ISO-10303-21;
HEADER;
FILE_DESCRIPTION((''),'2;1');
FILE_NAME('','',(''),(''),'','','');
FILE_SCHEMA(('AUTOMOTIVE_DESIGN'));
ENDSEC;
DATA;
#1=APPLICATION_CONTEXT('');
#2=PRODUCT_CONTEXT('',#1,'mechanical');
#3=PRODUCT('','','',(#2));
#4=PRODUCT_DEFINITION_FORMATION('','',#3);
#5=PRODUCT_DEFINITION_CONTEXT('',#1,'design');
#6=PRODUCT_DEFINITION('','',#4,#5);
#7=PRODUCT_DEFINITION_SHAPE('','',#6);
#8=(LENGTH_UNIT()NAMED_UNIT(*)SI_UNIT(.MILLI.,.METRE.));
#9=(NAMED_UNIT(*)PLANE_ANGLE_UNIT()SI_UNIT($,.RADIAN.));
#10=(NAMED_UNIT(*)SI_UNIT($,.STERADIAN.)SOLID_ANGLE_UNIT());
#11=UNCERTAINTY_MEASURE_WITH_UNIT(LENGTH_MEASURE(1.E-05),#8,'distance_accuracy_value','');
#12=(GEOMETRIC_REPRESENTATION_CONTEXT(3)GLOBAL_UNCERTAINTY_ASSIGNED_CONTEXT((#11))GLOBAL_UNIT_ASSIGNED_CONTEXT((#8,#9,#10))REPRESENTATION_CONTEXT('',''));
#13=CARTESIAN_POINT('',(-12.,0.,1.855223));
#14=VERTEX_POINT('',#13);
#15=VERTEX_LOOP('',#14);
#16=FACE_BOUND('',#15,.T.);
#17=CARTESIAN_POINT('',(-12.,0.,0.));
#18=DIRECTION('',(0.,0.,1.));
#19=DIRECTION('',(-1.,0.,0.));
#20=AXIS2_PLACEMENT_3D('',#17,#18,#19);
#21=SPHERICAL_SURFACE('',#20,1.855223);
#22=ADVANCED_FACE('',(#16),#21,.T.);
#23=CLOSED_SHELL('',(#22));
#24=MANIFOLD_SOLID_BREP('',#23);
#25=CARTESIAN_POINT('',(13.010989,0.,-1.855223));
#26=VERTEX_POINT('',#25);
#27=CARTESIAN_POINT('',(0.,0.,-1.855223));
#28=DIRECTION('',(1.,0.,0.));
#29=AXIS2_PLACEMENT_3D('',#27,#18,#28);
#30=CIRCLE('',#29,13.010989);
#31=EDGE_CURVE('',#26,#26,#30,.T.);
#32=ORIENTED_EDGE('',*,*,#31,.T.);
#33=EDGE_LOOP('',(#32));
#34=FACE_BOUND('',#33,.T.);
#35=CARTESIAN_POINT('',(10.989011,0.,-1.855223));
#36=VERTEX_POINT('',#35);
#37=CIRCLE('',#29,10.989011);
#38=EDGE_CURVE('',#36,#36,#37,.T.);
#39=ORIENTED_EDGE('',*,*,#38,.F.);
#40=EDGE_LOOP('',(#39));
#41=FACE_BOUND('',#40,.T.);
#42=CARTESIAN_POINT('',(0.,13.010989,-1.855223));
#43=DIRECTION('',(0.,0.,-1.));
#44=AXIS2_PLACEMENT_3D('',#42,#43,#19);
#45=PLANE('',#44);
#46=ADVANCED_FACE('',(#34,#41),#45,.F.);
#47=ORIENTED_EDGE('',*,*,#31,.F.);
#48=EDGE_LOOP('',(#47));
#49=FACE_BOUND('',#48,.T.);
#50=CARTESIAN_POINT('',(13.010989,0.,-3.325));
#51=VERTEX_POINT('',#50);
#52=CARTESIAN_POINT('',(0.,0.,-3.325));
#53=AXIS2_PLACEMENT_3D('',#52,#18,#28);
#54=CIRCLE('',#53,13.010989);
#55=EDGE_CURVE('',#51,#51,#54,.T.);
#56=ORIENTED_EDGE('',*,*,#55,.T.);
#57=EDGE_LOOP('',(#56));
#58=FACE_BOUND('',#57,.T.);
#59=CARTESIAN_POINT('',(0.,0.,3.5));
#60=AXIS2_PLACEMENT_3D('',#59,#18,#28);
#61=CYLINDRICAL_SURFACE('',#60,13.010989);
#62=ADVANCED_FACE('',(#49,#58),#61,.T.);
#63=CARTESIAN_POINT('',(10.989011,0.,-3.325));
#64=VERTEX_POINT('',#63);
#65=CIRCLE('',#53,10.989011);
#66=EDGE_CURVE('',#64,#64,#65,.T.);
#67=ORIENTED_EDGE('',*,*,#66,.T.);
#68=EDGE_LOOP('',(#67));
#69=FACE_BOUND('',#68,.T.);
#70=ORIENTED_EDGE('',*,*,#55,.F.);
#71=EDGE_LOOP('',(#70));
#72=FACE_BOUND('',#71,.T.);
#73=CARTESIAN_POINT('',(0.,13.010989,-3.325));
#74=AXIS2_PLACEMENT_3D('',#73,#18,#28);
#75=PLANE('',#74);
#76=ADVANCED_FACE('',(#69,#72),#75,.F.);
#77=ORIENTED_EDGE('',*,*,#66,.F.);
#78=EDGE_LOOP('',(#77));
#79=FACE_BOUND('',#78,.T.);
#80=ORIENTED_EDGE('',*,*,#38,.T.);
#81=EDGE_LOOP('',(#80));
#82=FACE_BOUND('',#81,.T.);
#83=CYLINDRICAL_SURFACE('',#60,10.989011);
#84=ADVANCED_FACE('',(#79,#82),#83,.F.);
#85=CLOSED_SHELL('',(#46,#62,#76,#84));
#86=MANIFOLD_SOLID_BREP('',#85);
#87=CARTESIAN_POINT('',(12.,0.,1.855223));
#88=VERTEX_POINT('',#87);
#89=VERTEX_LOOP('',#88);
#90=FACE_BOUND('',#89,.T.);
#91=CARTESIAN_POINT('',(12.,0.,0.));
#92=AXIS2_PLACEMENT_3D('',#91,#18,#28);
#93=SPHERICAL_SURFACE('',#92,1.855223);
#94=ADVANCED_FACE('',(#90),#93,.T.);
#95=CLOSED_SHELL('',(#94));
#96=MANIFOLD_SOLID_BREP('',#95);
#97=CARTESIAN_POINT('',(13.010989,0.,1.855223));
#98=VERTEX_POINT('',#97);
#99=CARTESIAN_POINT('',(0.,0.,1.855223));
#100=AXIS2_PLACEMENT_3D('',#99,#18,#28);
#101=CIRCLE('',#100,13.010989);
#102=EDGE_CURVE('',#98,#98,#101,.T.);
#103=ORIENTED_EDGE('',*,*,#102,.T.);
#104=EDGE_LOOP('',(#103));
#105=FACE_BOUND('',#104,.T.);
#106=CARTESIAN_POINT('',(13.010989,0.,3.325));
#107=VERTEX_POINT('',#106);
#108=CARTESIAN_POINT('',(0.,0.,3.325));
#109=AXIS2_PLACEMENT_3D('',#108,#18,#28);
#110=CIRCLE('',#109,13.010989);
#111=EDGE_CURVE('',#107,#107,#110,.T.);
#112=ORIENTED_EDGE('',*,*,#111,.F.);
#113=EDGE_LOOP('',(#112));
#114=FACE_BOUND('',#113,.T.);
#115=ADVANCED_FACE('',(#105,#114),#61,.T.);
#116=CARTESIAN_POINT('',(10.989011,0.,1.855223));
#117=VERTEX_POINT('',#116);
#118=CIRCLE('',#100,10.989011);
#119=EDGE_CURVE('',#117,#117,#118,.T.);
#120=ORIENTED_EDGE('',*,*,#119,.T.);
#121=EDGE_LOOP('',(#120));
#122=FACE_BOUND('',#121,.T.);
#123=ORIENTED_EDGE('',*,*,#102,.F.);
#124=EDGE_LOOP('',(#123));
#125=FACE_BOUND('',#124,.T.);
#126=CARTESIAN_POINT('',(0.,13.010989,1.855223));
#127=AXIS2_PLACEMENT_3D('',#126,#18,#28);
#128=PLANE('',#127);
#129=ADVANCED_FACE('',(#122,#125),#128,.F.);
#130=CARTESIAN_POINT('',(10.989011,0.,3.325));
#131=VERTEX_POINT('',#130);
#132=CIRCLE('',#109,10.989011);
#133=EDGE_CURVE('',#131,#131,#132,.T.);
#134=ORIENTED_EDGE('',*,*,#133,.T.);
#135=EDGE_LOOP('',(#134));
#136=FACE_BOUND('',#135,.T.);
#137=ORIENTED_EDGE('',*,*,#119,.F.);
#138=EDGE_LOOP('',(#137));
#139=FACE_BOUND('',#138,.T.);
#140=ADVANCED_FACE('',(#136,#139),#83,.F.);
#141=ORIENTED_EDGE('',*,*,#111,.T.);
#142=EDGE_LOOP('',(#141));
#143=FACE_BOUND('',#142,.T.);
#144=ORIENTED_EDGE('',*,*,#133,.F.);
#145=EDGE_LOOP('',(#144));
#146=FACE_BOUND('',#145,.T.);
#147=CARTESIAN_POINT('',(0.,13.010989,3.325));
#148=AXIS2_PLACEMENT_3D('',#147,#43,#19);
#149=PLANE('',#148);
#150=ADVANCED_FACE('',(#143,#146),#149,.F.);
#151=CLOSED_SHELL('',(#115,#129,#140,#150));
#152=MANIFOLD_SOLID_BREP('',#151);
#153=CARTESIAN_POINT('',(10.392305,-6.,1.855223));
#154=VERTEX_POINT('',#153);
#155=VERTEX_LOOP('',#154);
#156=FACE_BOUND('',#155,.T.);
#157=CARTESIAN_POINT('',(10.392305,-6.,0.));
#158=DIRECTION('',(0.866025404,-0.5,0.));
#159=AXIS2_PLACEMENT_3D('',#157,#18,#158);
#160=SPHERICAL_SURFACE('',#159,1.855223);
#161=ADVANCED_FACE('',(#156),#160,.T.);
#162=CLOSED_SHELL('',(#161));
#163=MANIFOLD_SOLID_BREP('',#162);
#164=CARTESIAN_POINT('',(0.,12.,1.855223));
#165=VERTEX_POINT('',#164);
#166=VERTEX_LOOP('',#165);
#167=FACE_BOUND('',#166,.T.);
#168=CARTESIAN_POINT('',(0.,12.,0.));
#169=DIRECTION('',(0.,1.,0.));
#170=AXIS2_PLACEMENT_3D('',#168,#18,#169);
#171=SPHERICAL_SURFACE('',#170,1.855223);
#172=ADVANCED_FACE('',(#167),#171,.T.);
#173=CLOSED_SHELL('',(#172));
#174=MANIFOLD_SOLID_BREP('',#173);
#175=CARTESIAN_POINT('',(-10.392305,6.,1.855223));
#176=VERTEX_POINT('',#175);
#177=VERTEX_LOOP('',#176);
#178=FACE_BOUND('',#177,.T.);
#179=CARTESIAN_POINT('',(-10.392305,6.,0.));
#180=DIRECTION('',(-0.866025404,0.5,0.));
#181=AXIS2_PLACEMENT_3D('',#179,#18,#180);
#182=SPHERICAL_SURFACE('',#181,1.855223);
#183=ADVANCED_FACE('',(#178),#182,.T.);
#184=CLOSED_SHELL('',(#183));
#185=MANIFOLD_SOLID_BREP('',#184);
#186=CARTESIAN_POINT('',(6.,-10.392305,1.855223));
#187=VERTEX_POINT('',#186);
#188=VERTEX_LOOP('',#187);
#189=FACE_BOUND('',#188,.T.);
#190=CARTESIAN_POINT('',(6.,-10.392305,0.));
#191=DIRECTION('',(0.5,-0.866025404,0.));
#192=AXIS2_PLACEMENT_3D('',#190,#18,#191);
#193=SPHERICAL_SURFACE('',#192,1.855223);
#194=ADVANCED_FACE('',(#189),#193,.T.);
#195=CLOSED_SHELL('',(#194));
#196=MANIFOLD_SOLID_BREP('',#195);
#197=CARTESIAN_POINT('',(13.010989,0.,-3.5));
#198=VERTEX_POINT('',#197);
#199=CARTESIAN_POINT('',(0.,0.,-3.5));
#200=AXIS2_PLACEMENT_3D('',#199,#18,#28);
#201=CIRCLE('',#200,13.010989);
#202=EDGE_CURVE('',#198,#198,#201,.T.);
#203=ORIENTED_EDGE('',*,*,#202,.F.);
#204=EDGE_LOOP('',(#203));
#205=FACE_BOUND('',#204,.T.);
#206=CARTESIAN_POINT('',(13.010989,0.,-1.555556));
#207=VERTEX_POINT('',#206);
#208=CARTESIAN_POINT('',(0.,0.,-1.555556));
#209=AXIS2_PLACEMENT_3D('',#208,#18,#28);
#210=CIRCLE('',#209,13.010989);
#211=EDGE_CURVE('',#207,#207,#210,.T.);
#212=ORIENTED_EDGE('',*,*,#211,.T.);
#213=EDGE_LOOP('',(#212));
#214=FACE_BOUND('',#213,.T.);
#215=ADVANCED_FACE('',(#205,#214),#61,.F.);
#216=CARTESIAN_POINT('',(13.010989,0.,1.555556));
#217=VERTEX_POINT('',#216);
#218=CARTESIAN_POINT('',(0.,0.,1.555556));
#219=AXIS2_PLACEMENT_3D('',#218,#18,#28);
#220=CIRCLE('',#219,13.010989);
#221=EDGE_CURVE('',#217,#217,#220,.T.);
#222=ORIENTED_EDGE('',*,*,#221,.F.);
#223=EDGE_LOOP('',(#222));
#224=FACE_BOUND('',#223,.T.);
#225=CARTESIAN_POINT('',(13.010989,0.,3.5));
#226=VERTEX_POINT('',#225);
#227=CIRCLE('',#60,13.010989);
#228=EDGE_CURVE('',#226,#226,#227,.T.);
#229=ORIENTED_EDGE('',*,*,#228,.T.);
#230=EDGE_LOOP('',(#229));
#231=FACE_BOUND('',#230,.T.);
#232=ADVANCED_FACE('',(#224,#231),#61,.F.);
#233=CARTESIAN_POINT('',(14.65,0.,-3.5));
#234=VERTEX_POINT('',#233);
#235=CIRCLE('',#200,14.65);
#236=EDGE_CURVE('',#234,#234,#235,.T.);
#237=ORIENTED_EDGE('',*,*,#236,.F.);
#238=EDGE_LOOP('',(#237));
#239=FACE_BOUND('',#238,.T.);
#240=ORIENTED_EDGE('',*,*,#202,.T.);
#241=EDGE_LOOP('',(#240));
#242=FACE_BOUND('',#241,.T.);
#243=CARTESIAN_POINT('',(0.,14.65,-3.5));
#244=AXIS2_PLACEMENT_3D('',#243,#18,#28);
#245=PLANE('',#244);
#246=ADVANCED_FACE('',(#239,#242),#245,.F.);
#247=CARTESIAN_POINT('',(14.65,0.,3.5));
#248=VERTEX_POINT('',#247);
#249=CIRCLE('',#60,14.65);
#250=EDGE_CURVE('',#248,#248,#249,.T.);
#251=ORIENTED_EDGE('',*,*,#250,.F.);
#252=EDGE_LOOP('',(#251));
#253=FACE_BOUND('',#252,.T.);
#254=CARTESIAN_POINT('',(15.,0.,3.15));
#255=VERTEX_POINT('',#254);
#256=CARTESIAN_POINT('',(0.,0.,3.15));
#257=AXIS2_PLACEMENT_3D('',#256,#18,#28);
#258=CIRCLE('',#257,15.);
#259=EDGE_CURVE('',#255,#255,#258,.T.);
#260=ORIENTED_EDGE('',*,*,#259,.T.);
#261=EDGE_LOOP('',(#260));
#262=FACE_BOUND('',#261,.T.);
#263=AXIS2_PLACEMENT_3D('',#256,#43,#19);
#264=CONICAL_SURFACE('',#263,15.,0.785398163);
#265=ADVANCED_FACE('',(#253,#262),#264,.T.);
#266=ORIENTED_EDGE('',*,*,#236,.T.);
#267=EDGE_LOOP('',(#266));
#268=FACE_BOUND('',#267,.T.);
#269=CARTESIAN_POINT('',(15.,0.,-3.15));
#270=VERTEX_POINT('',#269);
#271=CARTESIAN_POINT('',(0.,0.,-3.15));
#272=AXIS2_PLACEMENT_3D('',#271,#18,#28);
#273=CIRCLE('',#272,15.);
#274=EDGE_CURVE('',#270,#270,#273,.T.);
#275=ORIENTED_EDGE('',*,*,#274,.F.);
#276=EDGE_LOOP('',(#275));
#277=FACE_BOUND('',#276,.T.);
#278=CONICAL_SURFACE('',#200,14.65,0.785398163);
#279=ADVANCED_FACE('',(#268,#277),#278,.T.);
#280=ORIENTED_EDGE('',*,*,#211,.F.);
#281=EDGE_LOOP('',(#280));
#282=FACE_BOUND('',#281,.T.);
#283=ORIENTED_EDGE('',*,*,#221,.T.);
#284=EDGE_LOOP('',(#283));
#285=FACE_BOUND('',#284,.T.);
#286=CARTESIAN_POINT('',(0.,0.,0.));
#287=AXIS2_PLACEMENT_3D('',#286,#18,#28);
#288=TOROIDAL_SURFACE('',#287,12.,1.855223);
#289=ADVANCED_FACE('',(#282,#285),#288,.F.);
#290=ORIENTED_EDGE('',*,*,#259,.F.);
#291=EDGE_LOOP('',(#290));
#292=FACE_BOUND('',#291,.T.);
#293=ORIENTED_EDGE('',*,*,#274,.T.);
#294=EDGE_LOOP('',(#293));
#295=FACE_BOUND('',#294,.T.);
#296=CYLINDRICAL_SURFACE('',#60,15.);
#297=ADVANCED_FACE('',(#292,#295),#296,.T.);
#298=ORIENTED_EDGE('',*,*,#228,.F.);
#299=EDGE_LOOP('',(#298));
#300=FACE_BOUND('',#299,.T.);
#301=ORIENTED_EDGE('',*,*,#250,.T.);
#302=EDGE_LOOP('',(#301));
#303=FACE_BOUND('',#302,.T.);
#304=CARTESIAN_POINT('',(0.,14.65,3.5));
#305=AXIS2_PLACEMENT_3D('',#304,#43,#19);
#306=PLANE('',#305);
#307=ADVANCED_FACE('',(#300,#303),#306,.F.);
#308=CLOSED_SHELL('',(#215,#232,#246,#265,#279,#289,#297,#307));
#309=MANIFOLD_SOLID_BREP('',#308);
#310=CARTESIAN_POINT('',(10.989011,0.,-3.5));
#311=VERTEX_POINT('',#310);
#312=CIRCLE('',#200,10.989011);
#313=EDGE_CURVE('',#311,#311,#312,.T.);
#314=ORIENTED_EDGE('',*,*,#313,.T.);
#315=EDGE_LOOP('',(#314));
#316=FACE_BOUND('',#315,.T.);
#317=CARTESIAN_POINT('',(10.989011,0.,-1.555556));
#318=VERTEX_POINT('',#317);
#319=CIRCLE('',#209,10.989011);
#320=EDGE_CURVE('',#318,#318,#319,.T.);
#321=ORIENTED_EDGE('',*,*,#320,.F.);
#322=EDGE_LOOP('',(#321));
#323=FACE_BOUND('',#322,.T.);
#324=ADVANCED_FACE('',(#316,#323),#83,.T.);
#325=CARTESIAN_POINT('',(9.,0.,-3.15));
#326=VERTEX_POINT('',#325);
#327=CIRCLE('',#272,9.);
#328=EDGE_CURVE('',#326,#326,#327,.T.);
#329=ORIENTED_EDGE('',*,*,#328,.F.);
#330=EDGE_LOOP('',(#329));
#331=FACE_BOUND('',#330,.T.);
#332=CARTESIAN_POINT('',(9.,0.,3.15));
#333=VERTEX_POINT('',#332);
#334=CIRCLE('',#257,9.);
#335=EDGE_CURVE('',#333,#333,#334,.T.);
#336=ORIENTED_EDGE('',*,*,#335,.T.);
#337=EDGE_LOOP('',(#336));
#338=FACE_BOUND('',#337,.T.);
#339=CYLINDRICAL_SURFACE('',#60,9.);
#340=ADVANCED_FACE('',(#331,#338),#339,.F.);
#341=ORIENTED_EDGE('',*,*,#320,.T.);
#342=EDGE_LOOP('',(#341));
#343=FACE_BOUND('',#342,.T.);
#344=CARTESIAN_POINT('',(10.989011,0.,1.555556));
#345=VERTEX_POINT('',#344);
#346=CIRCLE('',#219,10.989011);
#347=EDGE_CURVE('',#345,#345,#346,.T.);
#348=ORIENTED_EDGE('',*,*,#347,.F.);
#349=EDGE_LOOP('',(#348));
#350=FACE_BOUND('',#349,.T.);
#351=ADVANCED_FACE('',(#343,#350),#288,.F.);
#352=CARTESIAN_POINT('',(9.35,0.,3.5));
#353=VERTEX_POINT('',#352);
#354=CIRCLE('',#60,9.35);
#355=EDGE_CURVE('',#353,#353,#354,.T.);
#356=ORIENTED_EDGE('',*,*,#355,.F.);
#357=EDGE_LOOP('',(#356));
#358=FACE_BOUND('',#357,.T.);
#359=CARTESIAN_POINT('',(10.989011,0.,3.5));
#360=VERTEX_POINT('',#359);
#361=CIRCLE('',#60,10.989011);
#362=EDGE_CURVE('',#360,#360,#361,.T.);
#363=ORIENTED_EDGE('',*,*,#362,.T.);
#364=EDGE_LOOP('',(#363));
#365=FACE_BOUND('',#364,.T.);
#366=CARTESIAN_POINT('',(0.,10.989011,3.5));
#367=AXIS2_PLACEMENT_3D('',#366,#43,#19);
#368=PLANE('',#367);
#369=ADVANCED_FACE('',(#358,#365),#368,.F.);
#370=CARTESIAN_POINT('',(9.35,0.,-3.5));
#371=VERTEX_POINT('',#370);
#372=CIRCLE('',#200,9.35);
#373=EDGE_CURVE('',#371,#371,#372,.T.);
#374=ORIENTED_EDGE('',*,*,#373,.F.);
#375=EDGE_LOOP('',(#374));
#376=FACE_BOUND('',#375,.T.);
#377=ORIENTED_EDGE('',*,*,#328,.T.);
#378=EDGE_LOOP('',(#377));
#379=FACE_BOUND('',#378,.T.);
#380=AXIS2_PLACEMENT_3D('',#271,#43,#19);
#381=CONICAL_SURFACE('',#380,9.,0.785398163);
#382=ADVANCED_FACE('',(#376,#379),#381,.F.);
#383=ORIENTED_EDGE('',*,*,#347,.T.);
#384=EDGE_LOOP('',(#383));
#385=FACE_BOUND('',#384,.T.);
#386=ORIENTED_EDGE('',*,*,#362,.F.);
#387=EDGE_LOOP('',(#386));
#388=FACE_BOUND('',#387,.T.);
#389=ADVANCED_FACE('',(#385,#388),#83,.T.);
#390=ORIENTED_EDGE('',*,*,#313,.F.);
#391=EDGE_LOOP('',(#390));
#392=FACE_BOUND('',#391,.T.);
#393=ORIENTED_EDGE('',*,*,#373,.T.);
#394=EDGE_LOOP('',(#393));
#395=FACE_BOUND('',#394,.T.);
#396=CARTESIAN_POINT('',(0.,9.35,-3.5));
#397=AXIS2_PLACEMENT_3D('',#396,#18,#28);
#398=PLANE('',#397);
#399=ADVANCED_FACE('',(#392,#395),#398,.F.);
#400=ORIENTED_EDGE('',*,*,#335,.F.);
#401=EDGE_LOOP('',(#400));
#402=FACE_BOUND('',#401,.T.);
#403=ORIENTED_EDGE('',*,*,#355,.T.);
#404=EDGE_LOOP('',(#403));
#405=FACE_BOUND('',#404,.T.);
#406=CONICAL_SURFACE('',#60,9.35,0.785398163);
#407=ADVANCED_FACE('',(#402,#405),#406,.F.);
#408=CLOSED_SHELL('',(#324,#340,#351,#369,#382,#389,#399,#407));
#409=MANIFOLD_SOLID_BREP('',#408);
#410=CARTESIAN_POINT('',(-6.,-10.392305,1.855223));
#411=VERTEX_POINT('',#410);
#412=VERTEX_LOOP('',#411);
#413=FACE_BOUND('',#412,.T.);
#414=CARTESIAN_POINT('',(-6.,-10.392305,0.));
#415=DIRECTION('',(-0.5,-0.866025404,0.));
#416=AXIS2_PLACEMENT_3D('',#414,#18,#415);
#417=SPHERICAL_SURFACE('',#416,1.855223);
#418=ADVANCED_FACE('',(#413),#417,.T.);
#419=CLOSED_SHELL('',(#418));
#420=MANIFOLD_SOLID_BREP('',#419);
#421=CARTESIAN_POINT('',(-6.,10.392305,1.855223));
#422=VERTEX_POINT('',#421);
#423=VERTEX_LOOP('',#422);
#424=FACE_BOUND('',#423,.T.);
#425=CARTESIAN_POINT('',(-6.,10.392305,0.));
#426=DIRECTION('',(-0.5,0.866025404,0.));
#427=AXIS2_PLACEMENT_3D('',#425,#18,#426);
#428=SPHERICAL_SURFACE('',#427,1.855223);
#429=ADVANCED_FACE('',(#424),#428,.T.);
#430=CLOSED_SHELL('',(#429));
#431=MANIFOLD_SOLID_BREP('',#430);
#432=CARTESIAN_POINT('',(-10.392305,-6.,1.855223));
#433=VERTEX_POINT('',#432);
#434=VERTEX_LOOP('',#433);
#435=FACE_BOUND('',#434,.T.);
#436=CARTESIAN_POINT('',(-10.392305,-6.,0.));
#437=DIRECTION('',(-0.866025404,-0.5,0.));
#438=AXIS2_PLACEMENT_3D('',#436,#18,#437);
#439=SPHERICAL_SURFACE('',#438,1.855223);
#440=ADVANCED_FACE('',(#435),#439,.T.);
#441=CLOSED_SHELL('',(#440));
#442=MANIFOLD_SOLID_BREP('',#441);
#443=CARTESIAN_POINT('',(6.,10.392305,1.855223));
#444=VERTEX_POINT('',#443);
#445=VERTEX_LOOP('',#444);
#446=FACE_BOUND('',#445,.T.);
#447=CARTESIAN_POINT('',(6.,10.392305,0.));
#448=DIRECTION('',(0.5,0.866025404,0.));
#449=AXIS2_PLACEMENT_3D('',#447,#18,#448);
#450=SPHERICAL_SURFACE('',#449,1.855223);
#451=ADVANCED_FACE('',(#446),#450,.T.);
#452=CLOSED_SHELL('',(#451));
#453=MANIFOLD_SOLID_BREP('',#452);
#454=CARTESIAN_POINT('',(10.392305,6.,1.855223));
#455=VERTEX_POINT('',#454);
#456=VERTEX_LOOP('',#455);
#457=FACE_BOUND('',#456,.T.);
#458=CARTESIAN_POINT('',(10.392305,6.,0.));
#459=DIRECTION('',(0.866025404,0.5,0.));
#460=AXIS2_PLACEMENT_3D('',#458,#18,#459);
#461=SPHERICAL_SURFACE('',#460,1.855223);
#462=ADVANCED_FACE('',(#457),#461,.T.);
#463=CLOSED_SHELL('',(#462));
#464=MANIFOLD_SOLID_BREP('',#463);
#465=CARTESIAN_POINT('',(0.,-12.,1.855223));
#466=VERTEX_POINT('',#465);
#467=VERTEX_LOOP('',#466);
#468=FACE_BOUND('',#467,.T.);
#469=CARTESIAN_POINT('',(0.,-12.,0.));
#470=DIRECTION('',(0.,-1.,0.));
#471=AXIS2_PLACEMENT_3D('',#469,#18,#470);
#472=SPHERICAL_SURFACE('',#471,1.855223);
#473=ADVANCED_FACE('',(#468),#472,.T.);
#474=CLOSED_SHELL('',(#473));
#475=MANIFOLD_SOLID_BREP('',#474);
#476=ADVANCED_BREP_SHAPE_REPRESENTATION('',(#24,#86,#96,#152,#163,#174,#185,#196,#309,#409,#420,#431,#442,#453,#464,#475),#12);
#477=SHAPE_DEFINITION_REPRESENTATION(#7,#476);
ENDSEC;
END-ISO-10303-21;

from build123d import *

# Parameters (mm, degrees)
CIRPATTERN1_COUNT = 12
SKETCH5_W         = 1.469777138
SKETCH5_H         = 2.021978022


with BuildPart() as part:
    # Sketch1 → Revolve1 (revolve)
    with BuildSketch(Plane(origin=(0, 0, 0), x_dir=(0, 0, -1), z_dir=(1, 0, 0))):
        with BuildLine():
            Line((3.15, 15), (-3.15, 15))
            Line((-3.15, 15), (-3.5, 14.65))
            Line((-3.5, 14.65), (-3.5, 13.010989011))
            Line((-3.5, 13.010989011), (-1.555555556, 13.010989011))
            ThreePointArc((-1.555555556, 13.010989011), (0, 13.855222862), (1.555555556, 13.010989011))
            Line((1.555555556, 13.010989011), (3.5, 13.010989011))
            Line((3.5, 13.010989011), (3.5, 14.65))
            Line((3.5, 14.65), (3.15, 15))
        make_face()
    revolve(axis=Axis((0, 0, 3.5), (0, 0, -1)))


with BuildPart() as body_2:
    # Sketch3 → Revolve3 (revolve)
    with BuildSketch(Plane(origin=(0, 0, 0), x_dir=(0, 0, -1), z_dir=(1, 0, 0))):
        with BuildLine():
            Line((-3.5, 10.989010989), (-1.555555556, 10.989010989))
            ThreePointArc((-1.555555556, 10.989010989), (0, 10.144777138), (1.555555556, 10.989010989))
            Line((1.555555556, 10.989010989), (3.5, 10.989010989))
            Line((3.5, 10.989010989), (3.5, 9.35))
            Line((3.5, 9.35), (3.15, 9))
            Line((3.15, 9), (-3.15, 9))
            Line((-3.15, 9), (-3.5, 9.35))
            Line((-3.5, 9.35), (-3.5, 10.989010989))
        make_face()
    revolve(axis=Axis((0, 0, 3.5), (0, 0, -1)))


with BuildPart() as body_3:
    # Sketch4 → Revolve4 (revolve)
    with BuildSketch(Plane(origin=(0, 0, 0), x_dir=(0, 0, -1), z_dir=(1, 0, 0))):
        with BuildLine():
            Line((-1.855222862, 12), (1.855222862, 12))
            ThreePointArc((1.855222862, 12), (0, 13.855222862), (-1.855222862, 12))
        make_face()
    revolve(axis=Axis((0, 12, 1.855222862), (0, 0, -1)))


with BuildPart() as cirpattern1_1:
    # CirPattern1: pattern copy
    add(body_3.part.rotate(Axis((0, 0, -3.5), (0, 0, 1)), 1 * 360 / CIRPATTERN1_COUNT))


with BuildPart() as cirpattern1_2:
    # CirPattern1: pattern copy
    add(body_3.part.rotate(Axis((0, 0, -3.5), (0, 0, 1)), 2 * 360 / CIRPATTERN1_COUNT))


with BuildPart() as cirpattern1_3:
    # CirPattern1: pattern copy
    add(body_3.part.rotate(Axis((0, 0, -3.5), (0, 0, 1)), 3 * 360 / CIRPATTERN1_COUNT))


with BuildPart() as cirpattern1_4:
    # CirPattern1: pattern copy
    add(body_3.part.rotate(Axis((0, 0, -3.5), (0, 0, 1)), 4 * 360 / CIRPATTERN1_COUNT))


with BuildPart() as cirpattern1_5:
    # CirPattern1: pattern copy
    add(body_3.part.rotate(Axis((0, 0, -3.5), (0, 0, 1)), 5 * 360 / CIRPATTERN1_COUNT))


with BuildPart() as cirpattern1_6:
    # CirPattern1: pattern copy
    add(body_3.part.rotate(Axis((0, 0, -3.5), (0, 0, 1)), 6 * 360 / CIRPATTERN1_COUNT))


with BuildPart() as cirpattern1_7:
    # CirPattern1: pattern copy
    add(body_3.part.rotate(Axis((0, 0, -3.5), (0, 0, 1)), 7 * 360 / CIRPATTERN1_COUNT))


with BuildPart() as cirpattern1_8:
    # CirPattern1: pattern copy
    add(body_3.part.rotate(Axis((0, 0, -3.5), (0, 0, 1)), 8 * 360 / CIRPATTERN1_COUNT))


with BuildPart() as cirpattern1_9:
    # CirPattern1: pattern copy
    add(body_3.part.rotate(Axis((0, 0, -3.5), (0, 0, 1)), 9 * 360 / CIRPATTERN1_COUNT))


with BuildPart() as cirpattern1_10:
    # CirPattern1: pattern copy
    add(body_3.part.rotate(Axis((0, 0, -3.5), (0, 0, 1)), 10 * 360 / CIRPATTERN1_COUNT))


with BuildPart() as cirpattern1_11:
    # CirPattern1: pattern copy
    add(body_3.part.rotate(Axis((0, 0, -3.5), (0, 0, 1)), 11 * 360 / CIRPATTERN1_COUNT))


with BuildPart() as body_15:
    # Sketch5 → Revolve5 (revolve)
    with BuildSketch(Plane(origin=(0, 0, 0), x_dir=(0, 0, -1), z_dir=(1, 0, 0))):
        with Locations((-2.590111431, 12)):
            Rectangle(SKETCH5_W, SKETCH5_H)
        with Locations((2.590111431, 12)):
            Rectangle(SKETCH5_W, SKETCH5_H)
    revolve(axis=Axis((0, 0, 3.5), (0, 0, -1)))


solid = Compound([part.part, body_2.part, body_3.part, cirpattern1_1.part, cirpattern1_2.part, cirpattern1_3.part, cirpattern1_4.part, cirpattern1_5.part, cirpattern1_6.part, cirpattern1_7.part, cirpattern1_8.part, cirpattern1_9.part, cirpattern1_10.part, cirpattern1_11.part, body_15.part])
